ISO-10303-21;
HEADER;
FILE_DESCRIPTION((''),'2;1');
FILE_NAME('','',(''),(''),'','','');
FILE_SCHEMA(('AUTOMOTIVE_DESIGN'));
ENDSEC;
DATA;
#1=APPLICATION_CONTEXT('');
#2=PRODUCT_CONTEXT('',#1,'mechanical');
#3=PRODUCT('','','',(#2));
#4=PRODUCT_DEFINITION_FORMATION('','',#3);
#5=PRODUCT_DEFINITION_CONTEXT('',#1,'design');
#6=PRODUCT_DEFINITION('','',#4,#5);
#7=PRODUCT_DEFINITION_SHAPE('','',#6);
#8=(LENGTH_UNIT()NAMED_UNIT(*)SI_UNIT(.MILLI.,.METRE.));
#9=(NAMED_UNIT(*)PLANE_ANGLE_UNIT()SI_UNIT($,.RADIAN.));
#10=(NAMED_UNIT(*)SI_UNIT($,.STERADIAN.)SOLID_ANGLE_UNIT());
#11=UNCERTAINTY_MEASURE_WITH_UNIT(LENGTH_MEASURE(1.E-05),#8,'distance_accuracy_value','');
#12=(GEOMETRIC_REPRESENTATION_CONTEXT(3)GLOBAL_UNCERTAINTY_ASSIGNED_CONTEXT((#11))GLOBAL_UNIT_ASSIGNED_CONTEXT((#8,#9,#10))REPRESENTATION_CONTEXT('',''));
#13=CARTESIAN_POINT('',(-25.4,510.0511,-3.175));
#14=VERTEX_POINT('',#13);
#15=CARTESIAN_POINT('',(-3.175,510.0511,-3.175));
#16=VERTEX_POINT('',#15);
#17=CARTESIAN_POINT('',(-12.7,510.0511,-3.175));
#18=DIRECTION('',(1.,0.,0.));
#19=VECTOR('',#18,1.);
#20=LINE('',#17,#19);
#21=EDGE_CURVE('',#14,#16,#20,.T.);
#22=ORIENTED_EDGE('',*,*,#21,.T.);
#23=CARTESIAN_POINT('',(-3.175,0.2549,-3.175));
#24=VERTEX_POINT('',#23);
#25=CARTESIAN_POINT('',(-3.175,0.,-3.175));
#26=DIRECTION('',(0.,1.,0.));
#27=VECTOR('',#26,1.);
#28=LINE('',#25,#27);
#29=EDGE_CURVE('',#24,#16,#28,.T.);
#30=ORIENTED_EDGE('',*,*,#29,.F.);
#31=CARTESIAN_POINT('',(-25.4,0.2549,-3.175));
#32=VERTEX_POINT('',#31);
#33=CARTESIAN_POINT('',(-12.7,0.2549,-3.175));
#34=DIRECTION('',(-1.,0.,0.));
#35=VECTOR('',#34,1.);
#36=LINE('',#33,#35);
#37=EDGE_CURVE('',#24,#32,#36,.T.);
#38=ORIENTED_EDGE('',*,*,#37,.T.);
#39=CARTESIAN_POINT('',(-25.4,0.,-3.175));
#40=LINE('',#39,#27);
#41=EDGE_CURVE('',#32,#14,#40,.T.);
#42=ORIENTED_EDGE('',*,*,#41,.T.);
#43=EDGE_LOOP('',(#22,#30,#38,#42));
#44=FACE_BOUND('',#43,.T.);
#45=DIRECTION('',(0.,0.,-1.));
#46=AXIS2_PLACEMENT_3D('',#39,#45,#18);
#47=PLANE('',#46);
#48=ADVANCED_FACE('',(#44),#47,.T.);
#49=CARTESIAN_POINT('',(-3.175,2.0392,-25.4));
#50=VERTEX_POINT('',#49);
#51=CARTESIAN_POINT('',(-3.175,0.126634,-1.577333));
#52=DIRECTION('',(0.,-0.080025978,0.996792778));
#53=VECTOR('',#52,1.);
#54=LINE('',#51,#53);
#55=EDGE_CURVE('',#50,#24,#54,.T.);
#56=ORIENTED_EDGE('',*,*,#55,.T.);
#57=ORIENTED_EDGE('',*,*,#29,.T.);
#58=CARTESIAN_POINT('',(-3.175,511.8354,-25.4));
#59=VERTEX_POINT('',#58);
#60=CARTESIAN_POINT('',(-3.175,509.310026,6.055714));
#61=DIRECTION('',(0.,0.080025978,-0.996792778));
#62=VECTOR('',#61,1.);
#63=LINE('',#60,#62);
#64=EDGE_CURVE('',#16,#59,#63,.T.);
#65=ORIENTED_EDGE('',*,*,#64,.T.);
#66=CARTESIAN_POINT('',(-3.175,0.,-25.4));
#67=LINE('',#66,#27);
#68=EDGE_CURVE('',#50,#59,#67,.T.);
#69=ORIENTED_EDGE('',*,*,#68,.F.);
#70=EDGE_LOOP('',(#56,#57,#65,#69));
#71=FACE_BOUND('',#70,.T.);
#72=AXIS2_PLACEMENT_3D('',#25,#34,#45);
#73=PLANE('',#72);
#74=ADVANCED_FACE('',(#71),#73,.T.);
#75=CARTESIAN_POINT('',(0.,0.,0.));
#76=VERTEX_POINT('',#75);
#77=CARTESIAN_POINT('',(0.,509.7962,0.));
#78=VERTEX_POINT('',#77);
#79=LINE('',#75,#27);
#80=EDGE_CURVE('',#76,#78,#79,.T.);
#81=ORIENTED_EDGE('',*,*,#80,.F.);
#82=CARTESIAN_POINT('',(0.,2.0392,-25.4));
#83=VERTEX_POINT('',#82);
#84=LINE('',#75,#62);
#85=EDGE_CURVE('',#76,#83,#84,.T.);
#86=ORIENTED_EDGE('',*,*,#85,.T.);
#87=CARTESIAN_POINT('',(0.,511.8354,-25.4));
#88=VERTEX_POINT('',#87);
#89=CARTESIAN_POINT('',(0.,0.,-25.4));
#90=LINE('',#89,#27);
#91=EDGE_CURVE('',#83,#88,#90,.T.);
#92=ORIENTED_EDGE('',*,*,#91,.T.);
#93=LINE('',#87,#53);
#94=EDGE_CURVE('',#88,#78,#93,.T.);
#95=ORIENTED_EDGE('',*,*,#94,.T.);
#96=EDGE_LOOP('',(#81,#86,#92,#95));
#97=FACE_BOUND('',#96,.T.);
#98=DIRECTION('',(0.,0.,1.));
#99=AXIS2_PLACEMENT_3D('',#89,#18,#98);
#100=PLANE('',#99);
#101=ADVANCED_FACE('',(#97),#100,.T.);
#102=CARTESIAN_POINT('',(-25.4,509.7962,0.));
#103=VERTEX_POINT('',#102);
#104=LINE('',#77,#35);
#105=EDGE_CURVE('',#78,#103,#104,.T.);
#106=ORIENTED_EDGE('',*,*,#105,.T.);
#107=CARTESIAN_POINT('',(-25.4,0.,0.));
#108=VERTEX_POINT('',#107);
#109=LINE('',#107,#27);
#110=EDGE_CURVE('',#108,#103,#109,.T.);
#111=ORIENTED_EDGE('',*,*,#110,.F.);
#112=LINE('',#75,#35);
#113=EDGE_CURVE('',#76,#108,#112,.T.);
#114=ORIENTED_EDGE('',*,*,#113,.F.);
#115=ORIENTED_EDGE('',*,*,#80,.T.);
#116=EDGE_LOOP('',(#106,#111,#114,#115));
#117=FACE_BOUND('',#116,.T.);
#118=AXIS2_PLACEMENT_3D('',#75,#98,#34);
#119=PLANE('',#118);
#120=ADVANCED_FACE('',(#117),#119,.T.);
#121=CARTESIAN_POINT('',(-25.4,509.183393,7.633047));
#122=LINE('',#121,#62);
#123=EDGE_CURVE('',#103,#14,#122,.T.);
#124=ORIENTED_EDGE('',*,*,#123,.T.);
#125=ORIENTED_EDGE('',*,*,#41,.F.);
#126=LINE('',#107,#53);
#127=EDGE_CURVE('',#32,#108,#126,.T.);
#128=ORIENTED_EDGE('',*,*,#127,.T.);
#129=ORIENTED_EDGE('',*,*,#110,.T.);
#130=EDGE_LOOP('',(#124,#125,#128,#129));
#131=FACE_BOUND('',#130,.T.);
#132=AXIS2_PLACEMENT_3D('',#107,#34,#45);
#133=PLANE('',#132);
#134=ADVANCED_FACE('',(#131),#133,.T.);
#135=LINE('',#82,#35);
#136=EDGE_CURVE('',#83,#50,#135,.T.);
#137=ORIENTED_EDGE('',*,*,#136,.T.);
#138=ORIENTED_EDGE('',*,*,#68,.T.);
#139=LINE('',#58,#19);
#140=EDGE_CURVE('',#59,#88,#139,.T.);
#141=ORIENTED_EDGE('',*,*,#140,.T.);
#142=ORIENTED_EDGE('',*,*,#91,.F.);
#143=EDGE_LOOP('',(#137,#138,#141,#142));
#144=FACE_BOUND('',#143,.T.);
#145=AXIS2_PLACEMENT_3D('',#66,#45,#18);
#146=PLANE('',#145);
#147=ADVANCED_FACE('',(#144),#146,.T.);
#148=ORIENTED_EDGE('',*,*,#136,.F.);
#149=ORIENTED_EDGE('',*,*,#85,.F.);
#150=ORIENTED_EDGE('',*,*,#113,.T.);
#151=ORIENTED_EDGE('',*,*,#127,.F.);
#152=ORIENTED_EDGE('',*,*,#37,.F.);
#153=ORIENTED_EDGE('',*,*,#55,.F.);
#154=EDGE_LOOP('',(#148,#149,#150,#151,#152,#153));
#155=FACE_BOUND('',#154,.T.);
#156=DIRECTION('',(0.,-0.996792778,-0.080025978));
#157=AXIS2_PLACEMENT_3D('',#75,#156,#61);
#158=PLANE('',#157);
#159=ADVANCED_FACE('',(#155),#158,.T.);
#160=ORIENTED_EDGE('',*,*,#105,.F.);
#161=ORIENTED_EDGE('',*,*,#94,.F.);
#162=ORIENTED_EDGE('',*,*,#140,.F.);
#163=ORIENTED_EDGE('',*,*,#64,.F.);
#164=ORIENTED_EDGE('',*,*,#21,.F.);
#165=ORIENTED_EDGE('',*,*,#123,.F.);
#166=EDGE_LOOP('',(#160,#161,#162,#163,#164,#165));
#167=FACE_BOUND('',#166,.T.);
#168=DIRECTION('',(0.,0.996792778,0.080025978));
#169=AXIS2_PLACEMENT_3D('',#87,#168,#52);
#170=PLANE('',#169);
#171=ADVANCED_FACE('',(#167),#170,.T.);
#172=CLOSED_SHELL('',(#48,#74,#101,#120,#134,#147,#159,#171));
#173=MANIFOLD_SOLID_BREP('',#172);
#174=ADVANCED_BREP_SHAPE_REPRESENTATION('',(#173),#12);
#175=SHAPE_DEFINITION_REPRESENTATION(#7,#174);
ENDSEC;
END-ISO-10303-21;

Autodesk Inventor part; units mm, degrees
ref_plane "YZ Plane" through (0, 0, 0) normal (1, 0, 0) x (0, 1, 0)
ref_plane "XZ Plane" through (0, 0, 0) normal (0, 1, 0) x (-1, 0, 0)
ref_plane "XY Plane" through (0, 0, 0) normal (0, 0, 1) x (1, 0, 0)
sketch "Sketch1" plane through (0, 0, 0) normal (0, 1, 0) x (-1, 0, 0)
  line L0 (0, 0) -> (25.4, 0)
  line L1 (25.4, 0) -> (25.4, -3.175)
  line L2 (25.4, -3.175) -> (3.175, -3.175)
  line L3 (3.175, -3.175) -> (3.175, -25.4)
  line L4 (3.175, -25.4) -> (0, -25.4)
  line L5 (0, -25.4) -> (0, 0)
  dimension "d0" = 25.4
  dimension "d1" = 3.175
  dimension "d2" = 90
  dimension "d7" = 25.4
  dimension "d8" = 3.175
extrude "Extrusion1" add sketch "Sketch1" along normal blind 511.8354
sketch "Sketch2" plane through (0, 0, 0) normal (1, 0, 0) x (0, 0, -1)
  line L0 (25.4, 0) -> (25.4, 511.8354) projected
  line L1 (25.4, 511.8354) -> (50.8817, 511.8354) construction
  line L2 (0, 511.8354) -> (25.4, 511.8354) projected
  line L3 (25.4, 511.8354) -> (0, 509.7962)
  line L4 (0, 0) -> (0, 511.8354) projected
  line L5 (25.4, 511.8354) -> (50.8817, 511.8354) construction
  line L6 (0, 509.7962) -> (0, 511.8354)
  line L7 (25.4, 511.8354) -> (0, 511.8354)
  line L8 (25.4, 0) -> (0, 0) projected
  line L9 (0, 0) -> (25.4, 2.0392)
  line L10 (0, 0) -> (25.4817, 0) construction
  line L11 (25.4, 2.0392) -> (25.4, 0)
  line L12 (25.4, 0) -> (0, 0)
  dimension "d10" = 175.41
  dimension "d11" = 4.59
extrude "Extrusion2" cut sketch "Sketch2" against normal through all contours L8 L9 L0 | L3 L4 L2
properties part number "AngleL" material "Aluminum 6061"
